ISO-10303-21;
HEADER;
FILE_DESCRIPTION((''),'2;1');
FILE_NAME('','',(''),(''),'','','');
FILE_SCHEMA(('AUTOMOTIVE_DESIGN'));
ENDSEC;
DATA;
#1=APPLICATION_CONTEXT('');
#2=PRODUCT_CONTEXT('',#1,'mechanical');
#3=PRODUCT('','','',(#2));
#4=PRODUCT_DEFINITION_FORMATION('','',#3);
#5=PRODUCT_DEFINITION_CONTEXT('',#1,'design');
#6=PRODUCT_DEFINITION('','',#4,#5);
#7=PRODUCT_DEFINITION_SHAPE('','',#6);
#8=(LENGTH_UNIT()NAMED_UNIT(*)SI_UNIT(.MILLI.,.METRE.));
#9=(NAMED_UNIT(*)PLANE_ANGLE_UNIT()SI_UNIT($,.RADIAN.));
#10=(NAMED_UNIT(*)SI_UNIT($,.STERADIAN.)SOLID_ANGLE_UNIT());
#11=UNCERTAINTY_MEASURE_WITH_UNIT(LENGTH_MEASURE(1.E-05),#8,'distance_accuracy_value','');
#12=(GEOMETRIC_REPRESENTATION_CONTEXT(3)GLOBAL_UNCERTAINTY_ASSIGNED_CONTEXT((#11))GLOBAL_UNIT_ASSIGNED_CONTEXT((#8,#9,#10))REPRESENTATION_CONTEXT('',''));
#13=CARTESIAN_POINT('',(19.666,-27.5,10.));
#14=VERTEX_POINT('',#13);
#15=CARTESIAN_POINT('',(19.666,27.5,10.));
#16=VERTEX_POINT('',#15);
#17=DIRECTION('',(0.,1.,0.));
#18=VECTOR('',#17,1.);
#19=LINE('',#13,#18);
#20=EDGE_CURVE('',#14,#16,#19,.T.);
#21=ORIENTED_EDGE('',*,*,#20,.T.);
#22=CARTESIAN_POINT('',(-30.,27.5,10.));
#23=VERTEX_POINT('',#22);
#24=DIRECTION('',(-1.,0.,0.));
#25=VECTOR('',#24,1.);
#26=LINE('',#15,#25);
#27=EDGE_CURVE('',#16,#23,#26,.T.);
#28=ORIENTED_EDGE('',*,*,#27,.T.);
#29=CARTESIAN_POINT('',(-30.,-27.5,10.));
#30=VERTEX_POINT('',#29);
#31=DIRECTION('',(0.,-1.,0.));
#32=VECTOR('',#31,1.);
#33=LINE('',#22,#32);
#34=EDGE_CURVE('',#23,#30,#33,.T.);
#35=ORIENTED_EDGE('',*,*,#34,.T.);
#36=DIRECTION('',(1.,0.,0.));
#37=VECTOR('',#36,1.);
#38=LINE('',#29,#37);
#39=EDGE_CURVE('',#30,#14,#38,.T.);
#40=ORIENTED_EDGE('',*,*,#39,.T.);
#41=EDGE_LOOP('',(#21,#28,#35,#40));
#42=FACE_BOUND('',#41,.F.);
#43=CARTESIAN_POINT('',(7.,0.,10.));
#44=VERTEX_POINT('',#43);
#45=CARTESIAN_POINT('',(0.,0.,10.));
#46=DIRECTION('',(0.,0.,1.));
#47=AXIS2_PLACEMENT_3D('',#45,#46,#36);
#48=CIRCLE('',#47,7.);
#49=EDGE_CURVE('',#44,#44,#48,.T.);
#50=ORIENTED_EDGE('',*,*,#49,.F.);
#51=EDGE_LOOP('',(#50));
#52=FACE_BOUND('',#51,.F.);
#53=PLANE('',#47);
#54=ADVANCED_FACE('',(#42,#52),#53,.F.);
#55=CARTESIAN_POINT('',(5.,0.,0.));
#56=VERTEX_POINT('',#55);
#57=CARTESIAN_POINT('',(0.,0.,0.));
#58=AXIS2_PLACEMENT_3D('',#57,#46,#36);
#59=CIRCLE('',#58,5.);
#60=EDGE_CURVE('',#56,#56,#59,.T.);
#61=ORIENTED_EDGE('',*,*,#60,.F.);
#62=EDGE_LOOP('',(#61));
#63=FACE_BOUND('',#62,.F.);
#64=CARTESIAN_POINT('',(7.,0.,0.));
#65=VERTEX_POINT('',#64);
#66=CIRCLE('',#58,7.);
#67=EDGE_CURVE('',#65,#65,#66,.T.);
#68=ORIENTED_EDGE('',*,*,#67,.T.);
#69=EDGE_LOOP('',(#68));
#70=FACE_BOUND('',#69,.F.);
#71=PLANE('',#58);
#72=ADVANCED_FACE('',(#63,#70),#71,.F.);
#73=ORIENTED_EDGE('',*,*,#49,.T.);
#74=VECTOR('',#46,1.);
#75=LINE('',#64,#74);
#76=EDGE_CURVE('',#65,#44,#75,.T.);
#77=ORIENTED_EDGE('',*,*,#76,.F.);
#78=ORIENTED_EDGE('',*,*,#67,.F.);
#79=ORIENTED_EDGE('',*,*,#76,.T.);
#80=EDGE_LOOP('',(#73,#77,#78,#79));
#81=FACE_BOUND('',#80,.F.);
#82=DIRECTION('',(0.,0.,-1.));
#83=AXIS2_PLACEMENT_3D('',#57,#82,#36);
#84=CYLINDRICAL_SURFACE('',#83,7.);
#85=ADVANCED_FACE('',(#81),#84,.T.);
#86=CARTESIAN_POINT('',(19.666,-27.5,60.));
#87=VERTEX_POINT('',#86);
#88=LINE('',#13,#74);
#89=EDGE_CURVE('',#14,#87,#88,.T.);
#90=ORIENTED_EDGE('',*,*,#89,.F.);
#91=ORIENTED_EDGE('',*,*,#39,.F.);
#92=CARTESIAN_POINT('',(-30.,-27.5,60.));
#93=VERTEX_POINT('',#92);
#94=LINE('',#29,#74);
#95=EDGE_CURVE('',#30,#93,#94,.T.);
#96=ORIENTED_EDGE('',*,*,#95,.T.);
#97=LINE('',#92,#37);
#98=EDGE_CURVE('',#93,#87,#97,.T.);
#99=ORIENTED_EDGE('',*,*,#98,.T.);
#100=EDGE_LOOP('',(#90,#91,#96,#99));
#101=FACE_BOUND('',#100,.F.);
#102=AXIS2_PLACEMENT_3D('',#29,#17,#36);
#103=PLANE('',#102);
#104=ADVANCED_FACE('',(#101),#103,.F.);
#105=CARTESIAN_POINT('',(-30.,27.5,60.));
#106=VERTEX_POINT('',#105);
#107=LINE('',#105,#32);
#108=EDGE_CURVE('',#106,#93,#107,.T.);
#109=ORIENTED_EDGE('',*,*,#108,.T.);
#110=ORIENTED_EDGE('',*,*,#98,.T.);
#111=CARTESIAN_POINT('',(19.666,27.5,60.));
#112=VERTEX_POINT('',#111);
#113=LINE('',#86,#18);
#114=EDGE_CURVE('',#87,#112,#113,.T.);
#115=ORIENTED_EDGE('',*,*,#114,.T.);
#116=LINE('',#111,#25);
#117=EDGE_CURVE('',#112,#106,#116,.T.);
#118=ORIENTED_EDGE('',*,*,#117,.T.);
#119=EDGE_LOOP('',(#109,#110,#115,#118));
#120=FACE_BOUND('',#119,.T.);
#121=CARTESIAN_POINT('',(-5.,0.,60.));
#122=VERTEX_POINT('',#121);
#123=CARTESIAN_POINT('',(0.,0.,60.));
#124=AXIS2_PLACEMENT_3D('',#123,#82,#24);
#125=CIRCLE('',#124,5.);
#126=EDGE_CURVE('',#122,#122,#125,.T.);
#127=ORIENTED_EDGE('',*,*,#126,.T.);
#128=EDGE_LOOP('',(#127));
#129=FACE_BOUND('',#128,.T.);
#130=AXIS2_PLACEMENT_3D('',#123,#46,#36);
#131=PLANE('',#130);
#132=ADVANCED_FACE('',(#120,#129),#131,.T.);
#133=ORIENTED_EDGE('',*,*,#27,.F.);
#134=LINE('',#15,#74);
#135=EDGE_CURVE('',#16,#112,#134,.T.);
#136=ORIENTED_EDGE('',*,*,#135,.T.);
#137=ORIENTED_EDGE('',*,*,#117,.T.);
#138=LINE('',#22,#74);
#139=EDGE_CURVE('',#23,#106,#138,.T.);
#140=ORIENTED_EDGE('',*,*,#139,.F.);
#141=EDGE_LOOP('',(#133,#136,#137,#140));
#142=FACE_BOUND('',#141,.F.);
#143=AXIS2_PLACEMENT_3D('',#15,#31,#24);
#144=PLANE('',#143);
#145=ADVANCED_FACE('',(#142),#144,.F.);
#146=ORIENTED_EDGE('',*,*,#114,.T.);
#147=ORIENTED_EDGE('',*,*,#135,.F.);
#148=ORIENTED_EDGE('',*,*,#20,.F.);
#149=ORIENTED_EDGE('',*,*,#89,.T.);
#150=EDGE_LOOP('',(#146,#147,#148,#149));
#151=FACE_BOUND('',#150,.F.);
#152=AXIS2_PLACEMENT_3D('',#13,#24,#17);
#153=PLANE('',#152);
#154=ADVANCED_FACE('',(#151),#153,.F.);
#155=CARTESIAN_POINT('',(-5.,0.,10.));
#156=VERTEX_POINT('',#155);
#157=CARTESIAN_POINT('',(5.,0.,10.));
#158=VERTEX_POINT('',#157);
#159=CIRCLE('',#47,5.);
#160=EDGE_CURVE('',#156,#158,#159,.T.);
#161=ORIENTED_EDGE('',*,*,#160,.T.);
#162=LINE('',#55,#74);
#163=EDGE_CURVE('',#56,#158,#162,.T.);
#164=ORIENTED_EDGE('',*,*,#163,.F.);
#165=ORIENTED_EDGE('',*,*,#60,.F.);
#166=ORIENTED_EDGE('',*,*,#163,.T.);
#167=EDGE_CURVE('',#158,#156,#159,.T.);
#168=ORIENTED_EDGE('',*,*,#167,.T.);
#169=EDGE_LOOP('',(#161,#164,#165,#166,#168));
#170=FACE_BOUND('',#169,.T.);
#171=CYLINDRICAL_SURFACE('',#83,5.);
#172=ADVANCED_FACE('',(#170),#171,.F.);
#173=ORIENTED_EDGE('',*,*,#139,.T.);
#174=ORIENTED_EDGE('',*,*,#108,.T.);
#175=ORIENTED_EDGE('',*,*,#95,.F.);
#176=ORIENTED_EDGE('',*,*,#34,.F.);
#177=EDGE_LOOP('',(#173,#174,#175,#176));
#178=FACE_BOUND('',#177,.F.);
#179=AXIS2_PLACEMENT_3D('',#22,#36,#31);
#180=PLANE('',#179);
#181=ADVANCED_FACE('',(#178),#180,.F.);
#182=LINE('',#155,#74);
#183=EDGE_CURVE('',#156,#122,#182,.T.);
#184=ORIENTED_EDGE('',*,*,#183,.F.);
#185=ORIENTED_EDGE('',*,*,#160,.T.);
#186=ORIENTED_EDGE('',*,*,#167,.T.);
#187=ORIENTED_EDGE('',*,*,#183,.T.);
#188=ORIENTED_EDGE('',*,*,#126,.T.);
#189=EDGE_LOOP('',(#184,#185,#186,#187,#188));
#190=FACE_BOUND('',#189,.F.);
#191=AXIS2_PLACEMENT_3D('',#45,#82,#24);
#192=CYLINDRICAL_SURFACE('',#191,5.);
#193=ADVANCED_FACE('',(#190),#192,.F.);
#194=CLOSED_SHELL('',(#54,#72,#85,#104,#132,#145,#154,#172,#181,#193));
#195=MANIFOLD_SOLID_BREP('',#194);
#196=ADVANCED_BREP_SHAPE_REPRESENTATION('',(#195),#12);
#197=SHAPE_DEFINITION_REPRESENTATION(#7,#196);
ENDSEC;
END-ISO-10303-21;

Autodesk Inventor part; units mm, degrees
ref_plane "YZ Plane" through (0, 0, 0) normal (1, 0, 0) x (0, 1, 0)
ref_plane "XZ Plane" through (0, 0, 0) normal (0, 1, 0) x (-1, 0, 0)
ref_plane "XY Plane" through (0, 0, 0) normal (0, 0, 1) x (1, 0, 0)
sketch "Sketch1" plane through (0, 0, 0) normal (0, 0, 1) x (1, 0, 0)
  circle A0 centre (0, 0) radius 5
  circle A1 centre (0, 0) radius 7
  dimension "d0" = 10
  dimension "d1" = 14
extrude "Extrusion1" add sketch "Sketch1" along normal blind 10
sketch "Sketch2" plane through (0, 0, 10) normal (0, 0, 1) x (1, 0, 0)
  line L0 (-30, -27.5) -> (19.666, -27.5)
  line L1 (19.666, -27.5) -> (19.666, 27.5)
  line L2 (19.666, 27.5) -> (-30, 27.5)
  line L3 (-30, 27.5) -> (-30, -27.5)
  point P0 (0, 0)
  point P1 (-30, 0)
  dimension "d4" = 19.666
  dimension "d5" = 55
  dimension "d6" = 30
extrude "Extrusion2" add sketch "Sketch2" along normal blind 50
sketch "Sketch3" plane through (0, 0, 10) normal (0, 0, -1) x (-1, 0, 0)
  circle A0 centre (0, 0) radius 5 projected
extrude "Extrusion3" cut sketch "Sketch3" against normal up to surface (50 mm away)
properties part number "02BombaJarron"
